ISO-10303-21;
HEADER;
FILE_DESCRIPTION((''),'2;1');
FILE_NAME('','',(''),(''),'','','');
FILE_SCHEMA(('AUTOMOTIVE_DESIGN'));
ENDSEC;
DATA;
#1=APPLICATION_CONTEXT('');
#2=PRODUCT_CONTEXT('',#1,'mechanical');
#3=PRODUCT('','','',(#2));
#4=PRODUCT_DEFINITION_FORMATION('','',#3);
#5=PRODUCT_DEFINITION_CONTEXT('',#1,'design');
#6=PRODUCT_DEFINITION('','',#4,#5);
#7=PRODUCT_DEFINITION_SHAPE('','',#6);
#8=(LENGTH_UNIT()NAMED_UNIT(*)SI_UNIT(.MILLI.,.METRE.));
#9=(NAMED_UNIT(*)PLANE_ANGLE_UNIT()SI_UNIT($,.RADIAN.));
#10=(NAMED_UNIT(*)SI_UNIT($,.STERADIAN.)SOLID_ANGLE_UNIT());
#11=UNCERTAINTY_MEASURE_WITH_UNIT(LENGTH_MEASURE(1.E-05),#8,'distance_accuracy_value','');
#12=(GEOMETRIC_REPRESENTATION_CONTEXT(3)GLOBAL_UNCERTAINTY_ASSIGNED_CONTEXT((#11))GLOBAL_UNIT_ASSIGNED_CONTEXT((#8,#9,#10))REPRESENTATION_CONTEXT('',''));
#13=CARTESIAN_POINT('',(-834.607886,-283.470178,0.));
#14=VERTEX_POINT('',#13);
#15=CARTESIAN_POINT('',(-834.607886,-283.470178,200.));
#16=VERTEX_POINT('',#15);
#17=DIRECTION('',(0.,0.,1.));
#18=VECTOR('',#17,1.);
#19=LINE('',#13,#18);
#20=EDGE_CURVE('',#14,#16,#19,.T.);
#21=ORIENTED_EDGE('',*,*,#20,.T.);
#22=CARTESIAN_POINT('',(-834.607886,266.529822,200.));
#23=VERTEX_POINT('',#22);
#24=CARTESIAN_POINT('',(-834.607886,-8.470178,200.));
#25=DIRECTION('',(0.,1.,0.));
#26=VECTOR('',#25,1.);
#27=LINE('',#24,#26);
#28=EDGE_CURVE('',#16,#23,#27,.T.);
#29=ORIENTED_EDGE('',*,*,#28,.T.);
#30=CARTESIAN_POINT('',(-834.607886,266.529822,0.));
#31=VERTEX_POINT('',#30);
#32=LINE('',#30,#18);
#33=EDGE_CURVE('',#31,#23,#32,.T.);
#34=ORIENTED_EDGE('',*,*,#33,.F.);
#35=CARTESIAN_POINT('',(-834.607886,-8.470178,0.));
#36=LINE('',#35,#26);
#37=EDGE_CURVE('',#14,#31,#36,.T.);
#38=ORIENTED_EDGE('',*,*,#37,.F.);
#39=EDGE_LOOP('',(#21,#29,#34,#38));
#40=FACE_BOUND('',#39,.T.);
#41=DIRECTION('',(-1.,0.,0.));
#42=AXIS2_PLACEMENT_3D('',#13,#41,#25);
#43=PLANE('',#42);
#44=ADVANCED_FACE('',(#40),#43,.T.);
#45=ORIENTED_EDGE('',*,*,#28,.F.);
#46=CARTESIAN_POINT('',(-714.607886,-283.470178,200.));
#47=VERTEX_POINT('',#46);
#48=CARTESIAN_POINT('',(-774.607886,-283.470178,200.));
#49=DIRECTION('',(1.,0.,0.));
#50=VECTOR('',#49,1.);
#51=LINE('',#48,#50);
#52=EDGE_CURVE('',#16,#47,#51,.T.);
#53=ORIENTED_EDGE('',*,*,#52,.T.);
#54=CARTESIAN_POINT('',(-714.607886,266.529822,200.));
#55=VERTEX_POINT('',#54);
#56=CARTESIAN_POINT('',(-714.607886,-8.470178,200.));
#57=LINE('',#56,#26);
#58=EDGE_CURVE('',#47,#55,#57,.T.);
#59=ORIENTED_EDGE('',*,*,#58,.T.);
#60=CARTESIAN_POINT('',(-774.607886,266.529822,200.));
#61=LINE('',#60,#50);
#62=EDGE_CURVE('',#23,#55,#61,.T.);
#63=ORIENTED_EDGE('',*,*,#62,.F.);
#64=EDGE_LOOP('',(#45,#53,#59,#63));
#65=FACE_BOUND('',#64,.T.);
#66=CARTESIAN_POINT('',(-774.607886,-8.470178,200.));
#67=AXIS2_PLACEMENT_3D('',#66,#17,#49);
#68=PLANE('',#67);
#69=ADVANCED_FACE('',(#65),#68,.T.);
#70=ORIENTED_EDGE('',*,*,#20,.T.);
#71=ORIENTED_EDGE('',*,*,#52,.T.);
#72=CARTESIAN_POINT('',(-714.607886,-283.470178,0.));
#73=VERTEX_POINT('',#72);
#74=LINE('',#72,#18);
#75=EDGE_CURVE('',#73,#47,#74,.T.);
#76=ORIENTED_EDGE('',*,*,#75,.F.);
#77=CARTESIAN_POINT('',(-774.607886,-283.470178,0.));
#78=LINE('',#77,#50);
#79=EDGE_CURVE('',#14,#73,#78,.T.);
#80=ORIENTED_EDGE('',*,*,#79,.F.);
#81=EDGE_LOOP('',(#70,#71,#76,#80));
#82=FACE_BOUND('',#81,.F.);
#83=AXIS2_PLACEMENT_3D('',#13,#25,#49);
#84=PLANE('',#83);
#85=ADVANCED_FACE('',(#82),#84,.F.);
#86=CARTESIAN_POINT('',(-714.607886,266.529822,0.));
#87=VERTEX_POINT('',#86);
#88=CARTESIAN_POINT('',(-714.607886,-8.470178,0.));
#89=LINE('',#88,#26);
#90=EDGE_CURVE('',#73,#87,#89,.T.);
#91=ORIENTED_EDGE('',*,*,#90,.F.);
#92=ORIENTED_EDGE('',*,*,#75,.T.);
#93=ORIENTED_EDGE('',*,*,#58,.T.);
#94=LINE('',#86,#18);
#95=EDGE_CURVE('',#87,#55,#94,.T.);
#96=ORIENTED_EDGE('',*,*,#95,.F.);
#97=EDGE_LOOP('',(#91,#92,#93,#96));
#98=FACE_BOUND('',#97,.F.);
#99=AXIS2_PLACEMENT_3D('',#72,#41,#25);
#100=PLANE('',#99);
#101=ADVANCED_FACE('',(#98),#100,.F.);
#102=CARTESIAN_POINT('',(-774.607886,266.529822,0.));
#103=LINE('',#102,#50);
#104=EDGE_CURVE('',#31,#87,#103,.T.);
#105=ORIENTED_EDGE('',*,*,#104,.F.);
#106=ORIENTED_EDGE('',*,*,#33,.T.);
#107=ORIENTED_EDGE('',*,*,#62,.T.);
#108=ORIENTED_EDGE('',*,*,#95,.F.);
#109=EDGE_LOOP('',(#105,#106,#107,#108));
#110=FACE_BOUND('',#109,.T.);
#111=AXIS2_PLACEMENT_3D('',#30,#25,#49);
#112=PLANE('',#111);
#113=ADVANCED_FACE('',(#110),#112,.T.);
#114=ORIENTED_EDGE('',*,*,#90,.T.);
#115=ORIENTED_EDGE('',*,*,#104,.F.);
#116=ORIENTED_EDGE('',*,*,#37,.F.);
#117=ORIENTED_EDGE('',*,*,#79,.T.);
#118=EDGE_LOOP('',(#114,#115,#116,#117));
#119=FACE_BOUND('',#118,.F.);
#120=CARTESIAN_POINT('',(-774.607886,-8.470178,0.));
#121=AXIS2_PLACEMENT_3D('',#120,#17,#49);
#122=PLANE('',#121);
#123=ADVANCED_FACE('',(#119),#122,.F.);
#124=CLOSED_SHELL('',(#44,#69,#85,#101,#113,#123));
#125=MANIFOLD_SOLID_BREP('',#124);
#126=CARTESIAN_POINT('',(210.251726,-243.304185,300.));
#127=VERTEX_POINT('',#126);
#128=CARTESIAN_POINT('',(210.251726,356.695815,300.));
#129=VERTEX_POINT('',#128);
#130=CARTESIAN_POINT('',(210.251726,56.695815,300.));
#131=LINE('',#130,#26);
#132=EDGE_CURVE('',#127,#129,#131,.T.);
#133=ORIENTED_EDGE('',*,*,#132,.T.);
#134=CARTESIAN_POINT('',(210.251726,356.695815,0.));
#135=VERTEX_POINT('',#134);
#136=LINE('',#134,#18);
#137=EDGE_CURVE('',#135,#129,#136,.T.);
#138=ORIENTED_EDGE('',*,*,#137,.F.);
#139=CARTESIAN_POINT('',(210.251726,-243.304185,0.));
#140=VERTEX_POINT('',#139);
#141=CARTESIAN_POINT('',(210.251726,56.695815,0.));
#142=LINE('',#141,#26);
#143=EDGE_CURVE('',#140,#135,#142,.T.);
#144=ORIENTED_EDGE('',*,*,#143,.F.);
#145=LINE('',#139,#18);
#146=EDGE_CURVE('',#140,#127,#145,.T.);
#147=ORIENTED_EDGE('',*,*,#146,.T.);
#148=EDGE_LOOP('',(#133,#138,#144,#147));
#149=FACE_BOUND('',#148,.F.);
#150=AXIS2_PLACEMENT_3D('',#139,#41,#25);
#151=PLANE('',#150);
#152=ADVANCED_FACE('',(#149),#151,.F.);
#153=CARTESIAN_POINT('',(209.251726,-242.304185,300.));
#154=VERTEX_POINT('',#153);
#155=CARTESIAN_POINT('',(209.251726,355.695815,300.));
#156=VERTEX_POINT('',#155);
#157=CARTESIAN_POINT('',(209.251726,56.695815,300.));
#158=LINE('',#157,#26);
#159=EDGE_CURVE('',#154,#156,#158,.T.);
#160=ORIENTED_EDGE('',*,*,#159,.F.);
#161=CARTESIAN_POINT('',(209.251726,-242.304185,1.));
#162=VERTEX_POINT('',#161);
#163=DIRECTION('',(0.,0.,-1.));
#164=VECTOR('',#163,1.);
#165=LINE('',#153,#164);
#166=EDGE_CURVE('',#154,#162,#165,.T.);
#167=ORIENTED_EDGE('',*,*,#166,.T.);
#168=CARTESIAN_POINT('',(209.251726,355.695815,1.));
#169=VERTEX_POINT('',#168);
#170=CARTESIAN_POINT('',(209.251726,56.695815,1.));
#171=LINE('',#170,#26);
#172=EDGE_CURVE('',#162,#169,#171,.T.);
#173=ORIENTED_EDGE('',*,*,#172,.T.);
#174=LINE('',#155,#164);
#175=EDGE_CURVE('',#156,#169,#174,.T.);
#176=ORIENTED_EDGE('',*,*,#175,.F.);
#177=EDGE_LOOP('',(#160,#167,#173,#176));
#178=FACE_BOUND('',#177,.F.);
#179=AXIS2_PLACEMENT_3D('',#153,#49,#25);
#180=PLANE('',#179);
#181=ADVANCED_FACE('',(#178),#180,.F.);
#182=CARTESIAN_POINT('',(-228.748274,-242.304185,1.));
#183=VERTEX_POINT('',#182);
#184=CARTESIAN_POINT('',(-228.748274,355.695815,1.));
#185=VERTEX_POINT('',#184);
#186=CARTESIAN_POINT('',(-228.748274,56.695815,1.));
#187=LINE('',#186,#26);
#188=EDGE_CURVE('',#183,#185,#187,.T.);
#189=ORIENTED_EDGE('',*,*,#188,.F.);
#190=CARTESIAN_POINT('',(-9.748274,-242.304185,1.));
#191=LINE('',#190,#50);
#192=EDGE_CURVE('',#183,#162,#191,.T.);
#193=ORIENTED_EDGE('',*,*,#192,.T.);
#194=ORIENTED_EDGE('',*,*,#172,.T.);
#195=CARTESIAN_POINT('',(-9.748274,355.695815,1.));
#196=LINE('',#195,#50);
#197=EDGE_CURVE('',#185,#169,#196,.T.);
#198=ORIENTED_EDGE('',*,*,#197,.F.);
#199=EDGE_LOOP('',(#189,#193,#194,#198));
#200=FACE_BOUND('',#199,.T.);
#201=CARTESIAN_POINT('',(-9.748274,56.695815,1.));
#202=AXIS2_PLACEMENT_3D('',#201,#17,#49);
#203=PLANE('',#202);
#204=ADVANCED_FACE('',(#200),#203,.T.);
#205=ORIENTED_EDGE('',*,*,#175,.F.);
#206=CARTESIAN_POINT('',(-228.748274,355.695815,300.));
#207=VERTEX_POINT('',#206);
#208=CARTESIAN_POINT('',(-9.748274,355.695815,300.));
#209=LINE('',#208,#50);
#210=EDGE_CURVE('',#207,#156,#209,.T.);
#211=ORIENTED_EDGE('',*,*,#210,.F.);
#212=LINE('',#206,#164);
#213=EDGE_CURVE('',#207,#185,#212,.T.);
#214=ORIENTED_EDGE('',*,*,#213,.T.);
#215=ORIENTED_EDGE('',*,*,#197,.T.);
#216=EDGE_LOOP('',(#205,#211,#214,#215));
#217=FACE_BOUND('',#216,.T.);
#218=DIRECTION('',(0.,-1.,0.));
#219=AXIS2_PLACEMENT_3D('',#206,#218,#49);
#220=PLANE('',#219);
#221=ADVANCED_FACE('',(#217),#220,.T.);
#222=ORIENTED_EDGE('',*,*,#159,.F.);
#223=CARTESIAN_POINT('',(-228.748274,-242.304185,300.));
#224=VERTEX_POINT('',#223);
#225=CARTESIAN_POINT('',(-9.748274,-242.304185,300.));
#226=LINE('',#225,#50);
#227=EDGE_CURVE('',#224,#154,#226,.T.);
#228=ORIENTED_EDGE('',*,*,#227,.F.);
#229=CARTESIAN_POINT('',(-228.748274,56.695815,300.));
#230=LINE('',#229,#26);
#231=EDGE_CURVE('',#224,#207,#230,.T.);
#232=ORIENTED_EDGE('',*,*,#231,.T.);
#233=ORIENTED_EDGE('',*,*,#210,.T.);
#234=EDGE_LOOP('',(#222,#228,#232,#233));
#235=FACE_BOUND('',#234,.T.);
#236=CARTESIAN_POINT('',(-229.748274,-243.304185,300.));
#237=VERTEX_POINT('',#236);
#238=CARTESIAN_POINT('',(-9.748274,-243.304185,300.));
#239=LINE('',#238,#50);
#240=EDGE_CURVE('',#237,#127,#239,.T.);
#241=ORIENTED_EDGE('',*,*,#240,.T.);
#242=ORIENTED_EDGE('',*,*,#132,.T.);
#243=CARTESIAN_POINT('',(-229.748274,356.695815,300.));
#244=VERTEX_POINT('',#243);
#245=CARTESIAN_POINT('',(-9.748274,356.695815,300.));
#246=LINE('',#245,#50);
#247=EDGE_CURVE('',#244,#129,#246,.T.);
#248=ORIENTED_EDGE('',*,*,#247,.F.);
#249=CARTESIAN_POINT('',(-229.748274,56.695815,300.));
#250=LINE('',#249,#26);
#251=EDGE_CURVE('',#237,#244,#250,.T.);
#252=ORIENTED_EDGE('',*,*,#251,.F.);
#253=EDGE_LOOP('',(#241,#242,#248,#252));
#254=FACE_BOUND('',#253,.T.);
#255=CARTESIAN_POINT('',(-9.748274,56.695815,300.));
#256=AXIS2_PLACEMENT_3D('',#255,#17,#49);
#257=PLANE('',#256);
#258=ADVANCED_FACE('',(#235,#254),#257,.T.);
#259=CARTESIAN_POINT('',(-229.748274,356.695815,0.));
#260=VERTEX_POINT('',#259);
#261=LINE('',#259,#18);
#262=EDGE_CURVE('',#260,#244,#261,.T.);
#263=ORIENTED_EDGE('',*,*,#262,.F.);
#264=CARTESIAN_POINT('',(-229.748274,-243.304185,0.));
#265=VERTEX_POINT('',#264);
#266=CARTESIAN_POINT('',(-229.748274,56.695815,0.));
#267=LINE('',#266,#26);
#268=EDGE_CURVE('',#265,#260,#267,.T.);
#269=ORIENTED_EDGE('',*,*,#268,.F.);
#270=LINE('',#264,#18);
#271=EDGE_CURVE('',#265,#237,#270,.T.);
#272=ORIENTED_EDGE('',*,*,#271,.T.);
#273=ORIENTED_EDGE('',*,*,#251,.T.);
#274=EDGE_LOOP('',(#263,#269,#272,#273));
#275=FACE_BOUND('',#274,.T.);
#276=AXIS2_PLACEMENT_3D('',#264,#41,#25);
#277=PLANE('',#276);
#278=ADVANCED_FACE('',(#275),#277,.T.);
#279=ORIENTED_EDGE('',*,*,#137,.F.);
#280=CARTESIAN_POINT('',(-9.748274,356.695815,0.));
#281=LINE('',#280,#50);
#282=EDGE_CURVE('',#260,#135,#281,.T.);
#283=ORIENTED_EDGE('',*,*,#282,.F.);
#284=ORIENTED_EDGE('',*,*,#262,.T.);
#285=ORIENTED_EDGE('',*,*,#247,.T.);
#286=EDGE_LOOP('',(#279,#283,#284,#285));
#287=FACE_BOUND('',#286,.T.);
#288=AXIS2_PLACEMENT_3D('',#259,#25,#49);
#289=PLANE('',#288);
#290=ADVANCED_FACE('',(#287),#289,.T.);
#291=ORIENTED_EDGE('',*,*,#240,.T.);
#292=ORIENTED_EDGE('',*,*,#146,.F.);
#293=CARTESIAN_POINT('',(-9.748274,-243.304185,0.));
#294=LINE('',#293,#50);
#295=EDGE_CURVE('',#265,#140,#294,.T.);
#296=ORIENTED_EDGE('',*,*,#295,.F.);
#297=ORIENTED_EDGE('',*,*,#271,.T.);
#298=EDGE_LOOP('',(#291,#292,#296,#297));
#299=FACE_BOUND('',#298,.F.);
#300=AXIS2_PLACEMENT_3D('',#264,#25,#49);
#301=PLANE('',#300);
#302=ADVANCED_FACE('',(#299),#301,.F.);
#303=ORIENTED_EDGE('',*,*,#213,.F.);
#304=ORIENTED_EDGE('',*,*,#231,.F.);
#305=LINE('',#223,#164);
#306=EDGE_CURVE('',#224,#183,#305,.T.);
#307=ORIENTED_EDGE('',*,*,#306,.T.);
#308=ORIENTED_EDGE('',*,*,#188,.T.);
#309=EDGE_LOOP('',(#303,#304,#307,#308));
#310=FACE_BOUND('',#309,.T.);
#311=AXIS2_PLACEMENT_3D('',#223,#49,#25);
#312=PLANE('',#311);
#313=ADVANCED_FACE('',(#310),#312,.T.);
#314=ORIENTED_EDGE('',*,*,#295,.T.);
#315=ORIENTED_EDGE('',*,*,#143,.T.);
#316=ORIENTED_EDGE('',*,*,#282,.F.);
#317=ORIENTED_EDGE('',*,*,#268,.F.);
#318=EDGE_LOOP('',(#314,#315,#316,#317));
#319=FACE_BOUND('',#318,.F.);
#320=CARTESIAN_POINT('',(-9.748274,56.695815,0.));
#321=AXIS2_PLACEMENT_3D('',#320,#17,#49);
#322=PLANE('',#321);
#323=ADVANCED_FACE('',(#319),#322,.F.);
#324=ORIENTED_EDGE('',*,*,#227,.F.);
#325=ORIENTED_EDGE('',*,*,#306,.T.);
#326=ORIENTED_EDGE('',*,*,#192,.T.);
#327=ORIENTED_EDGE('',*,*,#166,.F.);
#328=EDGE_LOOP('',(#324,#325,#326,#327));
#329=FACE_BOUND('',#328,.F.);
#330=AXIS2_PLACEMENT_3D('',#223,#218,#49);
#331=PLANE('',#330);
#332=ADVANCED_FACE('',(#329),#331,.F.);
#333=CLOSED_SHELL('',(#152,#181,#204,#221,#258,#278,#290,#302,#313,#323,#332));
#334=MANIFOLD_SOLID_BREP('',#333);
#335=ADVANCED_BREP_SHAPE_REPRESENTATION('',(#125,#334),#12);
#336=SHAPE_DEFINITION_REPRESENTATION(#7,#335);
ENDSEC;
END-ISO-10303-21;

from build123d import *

# Parameters (mm, degrees)
F0_W     = 440
F0_H     = 600
F1_DEPTH = 300
F2_W     = 438
F2_H     = 598
F3_DEPTH = 299
F4_W     = 120
F4_H     = 550
F5_DEPTH = 200


with BuildPart() as f1:
    # F0 (on Top) → F1 (new body)
    with BuildSketch(Plane.XY):
        with Locations((-9.748274, 56.695815)):
            Rectangle(F0_W, F0_H)
    extrude(amount=F1_DEPTH)

    # F2 (on face) → F3 (cut)
    with BuildSketch(Plane.XY.offset(300)):
        with Locations((-9.748274, 56.695815)):
            Rectangle(F2_W, F2_H)
    extrude(amount=-F3_DEPTH, mode=Mode.SUBTRACT)


with BuildPart() as f5:
    # F4 (on Top) → F5 (new body)
    with BuildSketch(Plane.XY):
        with Locations((-774.607886, -8.470178)):
            Rectangle(F4_W, F4_H)
    extrude(amount=F5_DEPTH)


solid = Compound([f1.part, f5.part])
